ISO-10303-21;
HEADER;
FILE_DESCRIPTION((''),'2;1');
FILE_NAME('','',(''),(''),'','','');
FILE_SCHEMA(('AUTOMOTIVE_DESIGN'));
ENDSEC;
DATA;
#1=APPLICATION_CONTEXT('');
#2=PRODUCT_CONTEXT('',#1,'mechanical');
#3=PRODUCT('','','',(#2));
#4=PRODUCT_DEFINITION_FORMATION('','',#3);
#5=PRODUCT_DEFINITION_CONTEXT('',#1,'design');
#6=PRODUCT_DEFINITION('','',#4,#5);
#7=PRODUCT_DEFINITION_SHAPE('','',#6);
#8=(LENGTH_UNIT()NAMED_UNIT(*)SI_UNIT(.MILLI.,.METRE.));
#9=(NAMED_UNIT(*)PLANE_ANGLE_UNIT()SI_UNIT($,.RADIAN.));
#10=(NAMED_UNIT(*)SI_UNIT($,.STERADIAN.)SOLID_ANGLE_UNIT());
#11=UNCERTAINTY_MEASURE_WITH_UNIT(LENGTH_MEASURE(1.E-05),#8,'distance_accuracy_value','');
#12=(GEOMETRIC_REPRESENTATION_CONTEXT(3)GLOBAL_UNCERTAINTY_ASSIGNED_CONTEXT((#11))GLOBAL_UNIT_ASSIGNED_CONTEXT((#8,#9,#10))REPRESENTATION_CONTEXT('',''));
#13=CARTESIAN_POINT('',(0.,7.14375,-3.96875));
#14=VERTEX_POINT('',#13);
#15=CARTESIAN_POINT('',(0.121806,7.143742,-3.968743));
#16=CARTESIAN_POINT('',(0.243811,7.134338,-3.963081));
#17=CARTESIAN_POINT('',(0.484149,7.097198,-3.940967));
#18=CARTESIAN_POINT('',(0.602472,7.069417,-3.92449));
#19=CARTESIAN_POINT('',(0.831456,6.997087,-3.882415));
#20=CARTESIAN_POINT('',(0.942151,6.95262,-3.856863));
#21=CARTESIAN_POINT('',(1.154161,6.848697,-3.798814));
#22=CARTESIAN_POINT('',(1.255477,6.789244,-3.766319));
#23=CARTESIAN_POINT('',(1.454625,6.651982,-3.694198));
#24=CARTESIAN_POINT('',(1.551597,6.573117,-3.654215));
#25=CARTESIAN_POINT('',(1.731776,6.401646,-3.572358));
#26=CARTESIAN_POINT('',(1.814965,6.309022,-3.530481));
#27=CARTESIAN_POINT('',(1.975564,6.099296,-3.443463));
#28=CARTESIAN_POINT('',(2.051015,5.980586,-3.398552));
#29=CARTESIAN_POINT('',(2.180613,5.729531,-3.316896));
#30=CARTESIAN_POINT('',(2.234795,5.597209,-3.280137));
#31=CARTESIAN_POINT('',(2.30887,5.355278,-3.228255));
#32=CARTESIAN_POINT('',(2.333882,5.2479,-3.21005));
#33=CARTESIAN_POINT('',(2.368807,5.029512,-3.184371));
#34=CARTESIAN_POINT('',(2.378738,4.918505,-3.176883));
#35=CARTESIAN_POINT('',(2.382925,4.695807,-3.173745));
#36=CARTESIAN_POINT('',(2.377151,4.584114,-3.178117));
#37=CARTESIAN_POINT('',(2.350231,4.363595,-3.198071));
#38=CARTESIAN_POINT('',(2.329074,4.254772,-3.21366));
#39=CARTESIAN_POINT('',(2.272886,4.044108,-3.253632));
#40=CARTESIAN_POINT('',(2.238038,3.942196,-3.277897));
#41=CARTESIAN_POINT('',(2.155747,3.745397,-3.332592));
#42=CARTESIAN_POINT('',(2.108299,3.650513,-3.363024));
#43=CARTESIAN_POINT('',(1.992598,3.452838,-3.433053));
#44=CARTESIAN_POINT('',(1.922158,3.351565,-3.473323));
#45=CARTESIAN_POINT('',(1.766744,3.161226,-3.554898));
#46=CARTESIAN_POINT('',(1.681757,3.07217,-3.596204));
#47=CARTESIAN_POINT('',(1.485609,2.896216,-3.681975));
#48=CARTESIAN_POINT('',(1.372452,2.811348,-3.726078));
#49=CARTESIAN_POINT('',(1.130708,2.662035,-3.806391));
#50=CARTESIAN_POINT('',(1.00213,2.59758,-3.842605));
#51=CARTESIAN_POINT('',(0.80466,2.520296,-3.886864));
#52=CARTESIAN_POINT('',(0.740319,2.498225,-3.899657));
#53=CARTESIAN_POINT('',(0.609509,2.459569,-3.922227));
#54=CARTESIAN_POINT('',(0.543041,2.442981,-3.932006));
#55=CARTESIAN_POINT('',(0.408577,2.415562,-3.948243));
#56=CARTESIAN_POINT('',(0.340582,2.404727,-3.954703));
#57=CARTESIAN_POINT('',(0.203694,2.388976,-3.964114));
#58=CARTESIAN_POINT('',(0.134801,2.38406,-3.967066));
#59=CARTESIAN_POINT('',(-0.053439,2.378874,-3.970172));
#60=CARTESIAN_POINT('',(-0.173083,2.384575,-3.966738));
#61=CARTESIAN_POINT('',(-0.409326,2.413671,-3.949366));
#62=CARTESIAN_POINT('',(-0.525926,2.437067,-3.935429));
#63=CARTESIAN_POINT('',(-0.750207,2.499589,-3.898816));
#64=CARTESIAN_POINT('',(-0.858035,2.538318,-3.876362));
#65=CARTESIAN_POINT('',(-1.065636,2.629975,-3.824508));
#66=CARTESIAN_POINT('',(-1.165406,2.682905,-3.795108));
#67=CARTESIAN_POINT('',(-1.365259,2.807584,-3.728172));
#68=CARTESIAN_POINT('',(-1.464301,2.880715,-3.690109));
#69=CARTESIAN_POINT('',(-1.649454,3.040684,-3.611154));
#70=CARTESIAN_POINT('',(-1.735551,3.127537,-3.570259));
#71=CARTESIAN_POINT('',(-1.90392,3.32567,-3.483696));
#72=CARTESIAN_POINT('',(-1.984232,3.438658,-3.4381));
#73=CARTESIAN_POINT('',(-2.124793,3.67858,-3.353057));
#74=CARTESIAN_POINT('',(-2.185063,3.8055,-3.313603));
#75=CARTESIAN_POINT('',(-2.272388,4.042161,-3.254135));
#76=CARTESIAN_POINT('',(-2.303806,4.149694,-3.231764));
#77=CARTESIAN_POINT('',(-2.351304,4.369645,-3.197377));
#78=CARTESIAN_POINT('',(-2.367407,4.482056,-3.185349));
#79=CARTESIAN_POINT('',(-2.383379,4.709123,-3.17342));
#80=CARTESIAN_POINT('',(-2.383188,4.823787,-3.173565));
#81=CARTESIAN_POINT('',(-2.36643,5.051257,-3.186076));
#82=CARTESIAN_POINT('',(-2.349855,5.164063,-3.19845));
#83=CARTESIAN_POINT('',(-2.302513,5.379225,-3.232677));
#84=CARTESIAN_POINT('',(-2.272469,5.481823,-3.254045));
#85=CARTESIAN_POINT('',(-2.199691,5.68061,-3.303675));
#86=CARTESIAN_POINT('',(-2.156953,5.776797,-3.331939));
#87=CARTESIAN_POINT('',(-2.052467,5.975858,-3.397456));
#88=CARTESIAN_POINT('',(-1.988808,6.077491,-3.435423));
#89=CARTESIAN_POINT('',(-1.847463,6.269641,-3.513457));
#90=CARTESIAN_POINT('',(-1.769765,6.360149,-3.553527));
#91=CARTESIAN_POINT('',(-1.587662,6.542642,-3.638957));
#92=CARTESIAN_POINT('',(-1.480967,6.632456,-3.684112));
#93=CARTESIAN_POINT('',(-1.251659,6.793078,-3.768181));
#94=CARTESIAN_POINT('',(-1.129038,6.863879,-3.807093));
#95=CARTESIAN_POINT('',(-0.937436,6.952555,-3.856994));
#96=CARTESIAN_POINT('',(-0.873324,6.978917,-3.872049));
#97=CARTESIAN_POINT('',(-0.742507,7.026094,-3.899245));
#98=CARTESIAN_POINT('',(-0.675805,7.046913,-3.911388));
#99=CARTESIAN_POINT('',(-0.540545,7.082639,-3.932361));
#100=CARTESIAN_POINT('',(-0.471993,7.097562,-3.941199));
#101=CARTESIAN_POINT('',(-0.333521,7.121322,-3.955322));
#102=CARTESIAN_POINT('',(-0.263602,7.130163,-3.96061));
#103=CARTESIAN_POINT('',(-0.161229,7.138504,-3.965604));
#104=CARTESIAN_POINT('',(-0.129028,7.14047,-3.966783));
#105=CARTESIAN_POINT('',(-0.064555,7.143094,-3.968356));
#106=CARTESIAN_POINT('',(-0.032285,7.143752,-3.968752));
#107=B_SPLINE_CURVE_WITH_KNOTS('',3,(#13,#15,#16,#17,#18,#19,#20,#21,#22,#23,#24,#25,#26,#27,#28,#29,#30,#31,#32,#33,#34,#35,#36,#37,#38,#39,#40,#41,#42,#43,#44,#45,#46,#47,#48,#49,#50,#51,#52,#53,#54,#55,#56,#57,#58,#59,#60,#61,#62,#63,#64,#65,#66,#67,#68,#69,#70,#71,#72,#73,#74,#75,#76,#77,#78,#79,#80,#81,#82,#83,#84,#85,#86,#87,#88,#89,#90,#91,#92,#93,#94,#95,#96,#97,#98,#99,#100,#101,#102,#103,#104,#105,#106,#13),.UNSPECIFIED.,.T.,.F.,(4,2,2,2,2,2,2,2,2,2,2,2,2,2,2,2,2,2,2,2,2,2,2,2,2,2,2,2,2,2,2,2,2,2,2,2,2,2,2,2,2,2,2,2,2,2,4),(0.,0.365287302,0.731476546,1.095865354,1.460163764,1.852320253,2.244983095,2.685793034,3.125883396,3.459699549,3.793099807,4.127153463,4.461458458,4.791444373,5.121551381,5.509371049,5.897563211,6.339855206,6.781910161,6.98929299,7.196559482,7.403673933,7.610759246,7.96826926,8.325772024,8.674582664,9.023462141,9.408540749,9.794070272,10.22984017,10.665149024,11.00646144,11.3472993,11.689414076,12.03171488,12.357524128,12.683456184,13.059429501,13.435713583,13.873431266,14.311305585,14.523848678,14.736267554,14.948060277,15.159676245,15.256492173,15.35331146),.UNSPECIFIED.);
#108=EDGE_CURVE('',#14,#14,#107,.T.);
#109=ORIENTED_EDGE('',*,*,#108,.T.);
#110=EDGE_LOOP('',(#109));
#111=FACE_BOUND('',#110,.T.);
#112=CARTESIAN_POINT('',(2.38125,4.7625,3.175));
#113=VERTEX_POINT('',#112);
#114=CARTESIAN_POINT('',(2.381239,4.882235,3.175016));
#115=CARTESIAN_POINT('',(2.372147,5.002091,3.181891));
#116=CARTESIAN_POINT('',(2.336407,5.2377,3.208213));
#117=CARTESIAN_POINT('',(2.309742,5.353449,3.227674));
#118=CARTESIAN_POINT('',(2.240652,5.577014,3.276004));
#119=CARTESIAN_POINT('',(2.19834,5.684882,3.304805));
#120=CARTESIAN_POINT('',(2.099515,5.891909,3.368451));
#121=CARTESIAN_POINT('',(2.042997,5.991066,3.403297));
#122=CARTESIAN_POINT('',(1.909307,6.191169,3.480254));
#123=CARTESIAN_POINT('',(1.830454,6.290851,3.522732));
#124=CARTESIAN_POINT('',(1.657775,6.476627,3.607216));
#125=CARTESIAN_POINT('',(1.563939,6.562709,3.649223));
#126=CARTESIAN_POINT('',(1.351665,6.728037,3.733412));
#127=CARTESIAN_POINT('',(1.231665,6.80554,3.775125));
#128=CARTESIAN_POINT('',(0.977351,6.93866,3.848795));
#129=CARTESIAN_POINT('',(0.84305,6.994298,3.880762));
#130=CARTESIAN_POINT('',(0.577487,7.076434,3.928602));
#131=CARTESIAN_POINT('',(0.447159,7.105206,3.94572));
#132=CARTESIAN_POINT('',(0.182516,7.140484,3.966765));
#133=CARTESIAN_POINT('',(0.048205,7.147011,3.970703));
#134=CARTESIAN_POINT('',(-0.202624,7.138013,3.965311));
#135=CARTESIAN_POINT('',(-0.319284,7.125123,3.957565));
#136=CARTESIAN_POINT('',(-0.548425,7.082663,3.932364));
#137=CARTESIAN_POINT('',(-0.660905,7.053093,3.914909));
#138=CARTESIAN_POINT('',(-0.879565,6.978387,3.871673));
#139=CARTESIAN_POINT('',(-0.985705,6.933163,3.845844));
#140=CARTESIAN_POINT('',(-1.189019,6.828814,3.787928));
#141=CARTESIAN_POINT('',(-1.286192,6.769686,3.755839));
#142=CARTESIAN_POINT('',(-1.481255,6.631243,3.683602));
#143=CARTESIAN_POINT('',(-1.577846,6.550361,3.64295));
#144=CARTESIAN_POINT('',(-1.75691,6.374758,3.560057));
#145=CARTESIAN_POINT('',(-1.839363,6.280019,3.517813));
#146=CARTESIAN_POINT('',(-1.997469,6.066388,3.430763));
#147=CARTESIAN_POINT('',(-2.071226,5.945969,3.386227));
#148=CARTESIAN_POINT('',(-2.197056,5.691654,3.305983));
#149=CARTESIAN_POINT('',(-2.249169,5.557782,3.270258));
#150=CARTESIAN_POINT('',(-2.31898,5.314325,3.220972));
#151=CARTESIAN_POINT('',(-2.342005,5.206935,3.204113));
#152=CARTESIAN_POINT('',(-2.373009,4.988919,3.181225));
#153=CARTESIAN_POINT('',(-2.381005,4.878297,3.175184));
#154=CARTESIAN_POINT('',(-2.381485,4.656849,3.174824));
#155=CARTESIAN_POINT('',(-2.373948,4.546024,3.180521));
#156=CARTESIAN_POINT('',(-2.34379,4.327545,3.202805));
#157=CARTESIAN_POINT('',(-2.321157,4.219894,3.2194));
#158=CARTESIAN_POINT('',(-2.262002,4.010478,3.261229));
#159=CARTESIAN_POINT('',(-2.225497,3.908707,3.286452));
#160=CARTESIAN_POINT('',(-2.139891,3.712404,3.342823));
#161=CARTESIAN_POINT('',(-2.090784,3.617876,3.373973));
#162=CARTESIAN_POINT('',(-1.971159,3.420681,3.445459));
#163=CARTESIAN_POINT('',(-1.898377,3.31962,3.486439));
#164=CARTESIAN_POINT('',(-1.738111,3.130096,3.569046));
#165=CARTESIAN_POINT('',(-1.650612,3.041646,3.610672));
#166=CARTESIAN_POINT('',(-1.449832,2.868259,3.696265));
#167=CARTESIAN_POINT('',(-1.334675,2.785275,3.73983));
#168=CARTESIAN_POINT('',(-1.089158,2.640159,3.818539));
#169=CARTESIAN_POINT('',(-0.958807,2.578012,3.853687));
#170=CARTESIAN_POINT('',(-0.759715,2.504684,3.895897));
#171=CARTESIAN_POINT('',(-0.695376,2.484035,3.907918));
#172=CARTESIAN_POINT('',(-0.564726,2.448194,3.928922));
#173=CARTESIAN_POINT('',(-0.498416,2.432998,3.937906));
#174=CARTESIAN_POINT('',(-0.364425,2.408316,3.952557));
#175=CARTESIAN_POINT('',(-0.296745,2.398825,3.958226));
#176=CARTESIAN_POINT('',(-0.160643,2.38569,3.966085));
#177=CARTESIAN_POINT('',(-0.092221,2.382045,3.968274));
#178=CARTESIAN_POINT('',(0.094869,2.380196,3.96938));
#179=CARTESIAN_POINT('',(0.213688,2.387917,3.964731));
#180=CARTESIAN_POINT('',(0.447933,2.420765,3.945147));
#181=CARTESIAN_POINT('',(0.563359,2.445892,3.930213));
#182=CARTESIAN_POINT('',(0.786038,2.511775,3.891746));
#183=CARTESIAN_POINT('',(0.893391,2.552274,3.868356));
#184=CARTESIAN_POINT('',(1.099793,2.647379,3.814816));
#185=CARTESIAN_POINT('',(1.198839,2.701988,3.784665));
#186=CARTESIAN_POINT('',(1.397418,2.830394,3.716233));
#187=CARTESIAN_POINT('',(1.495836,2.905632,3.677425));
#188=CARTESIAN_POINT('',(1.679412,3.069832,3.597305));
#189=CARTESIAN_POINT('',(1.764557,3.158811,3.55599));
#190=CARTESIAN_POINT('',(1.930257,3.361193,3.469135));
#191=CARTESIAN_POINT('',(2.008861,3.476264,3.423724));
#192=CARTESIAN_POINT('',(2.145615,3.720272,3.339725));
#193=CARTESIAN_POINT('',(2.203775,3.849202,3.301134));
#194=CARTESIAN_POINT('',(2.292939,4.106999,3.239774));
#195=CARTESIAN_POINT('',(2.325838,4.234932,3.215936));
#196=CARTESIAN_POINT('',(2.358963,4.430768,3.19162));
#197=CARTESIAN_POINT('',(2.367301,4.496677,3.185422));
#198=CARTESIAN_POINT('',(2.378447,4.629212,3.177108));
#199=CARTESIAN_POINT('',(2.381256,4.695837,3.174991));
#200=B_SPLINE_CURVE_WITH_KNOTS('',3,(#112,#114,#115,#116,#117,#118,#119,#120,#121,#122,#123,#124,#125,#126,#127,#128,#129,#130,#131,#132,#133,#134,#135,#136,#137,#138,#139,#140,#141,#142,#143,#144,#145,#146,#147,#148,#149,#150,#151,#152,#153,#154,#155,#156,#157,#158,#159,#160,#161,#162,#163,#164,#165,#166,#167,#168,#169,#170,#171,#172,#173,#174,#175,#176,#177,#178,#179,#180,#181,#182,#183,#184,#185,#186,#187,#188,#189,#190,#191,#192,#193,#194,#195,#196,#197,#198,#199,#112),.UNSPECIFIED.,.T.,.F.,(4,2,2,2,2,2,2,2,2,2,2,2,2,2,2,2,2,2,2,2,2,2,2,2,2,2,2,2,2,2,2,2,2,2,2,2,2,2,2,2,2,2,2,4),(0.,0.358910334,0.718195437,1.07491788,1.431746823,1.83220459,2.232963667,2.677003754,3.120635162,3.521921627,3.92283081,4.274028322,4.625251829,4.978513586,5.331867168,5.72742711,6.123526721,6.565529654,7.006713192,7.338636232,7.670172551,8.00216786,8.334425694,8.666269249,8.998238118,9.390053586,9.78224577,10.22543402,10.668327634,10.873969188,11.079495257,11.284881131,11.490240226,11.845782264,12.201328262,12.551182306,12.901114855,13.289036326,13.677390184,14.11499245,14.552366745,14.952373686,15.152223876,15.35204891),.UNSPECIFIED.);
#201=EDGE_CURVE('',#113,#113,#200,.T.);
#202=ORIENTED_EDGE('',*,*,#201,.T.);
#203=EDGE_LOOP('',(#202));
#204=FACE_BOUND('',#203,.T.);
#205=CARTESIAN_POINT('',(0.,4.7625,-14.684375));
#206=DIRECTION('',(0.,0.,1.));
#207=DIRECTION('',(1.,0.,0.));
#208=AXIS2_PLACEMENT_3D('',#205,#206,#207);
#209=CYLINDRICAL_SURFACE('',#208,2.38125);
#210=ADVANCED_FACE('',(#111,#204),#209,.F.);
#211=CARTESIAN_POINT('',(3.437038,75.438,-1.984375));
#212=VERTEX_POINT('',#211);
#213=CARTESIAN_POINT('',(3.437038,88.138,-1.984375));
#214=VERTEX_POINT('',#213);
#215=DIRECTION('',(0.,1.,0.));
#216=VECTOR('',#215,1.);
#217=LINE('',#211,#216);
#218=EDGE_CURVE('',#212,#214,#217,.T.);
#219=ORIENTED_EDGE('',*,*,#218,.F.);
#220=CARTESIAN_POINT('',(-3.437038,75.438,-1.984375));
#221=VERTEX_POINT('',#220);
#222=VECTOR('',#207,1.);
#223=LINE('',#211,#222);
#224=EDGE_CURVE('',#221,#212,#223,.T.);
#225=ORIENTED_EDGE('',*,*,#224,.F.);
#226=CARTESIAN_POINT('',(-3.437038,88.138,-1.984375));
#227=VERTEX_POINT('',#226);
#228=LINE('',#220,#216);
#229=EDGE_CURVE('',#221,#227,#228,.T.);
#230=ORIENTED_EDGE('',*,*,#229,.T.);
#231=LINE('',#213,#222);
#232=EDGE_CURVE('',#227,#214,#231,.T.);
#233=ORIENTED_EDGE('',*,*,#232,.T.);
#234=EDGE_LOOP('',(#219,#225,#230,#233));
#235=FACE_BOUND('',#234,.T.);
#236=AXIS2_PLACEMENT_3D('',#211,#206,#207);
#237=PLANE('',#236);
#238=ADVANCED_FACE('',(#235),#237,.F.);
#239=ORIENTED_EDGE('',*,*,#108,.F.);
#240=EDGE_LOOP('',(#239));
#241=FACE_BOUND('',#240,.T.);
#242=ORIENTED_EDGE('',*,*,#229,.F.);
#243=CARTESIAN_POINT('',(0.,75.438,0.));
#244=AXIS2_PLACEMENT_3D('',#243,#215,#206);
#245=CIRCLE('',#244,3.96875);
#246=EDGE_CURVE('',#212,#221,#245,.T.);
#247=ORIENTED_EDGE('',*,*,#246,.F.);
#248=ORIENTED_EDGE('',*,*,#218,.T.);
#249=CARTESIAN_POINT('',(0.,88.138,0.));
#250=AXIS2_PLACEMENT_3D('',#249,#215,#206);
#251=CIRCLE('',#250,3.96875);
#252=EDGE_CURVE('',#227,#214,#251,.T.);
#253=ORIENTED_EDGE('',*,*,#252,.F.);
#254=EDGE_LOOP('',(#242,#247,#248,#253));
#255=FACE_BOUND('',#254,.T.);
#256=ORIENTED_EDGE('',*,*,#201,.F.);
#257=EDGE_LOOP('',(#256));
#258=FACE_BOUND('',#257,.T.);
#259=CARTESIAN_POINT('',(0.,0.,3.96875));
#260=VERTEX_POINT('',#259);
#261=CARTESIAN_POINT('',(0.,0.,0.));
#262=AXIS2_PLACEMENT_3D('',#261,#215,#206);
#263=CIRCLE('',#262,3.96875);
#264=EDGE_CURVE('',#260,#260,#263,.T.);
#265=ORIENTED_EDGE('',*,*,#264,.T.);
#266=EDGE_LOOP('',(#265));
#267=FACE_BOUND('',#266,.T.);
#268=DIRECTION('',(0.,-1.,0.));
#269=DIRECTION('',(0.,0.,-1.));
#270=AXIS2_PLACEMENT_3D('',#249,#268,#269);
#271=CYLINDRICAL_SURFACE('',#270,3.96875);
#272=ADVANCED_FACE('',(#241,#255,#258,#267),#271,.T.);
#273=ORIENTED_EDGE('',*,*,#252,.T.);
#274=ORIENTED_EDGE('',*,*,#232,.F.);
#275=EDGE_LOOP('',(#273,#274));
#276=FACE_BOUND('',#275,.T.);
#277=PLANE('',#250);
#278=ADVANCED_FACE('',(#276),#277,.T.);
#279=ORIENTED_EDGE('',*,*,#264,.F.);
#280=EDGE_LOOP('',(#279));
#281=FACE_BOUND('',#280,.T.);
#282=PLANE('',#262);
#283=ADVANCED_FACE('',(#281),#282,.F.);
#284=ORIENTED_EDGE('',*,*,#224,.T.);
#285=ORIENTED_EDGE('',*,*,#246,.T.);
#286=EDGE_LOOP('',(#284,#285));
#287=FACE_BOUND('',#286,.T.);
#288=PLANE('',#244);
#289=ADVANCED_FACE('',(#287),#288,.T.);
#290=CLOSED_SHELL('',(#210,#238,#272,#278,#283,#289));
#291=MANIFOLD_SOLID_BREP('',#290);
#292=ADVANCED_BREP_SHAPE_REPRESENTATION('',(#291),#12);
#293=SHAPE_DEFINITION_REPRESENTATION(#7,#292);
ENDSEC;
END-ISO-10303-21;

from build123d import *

# Parameters (mm, degrees)
SKETCH1_R               = 3.96875
BOSS_EXTRUDE1_DEPTH     = 88.138
CUT_EXTRUDE1_DEPTH      = 12.7
CUT_EXTRUDE2_DEPTH      = 12.7
CUT_EXTRUDE2_DEPTH_BACK = 12.7
SKETCH3_R               = 2.38125


with BuildPart() as part:
    # Sketch1 → Boss-Extrude1 (new body)
    with BuildSketch(Plane(origin=(0, 0, 0), x_dir=(1, 0, 0), z_dir=(0, 1, 0))):
        Circle(SKETCH1_R)
    extrude(amount=BOSS_EXTRUDE1_DEPTH)

    # Sketch2 → Cut-Extrude1 (cut)
    with BuildSketch(Plane(origin=(0, 88.138, 0), x_dir=(1, 0, 0), z_dir=(0, 1, 0))):
        Polygon((3.437038321, 1.984375), (-3.437038321, 1.984375), (-4.719395918, 2.522465653), (-2.590204502, 6.353236507), (2.456720437, 4.728926773), align=None)
    extrude(amount=-CUT_EXTRUDE1_DEPTH, mode=Mode.SUBTRACT)

    # Sketch3 → Cut-Extrude2 (cut, two sides: drawn at the far end of the back side and taken through both)
    with BuildSketch(Plane(origin=(0, 0, -1.984375), x_dir=(-1, 0, 0), z_dir=(0, 0, -1)).offset(-CUT_EXTRUDE2_DEPTH_BACK)):
        with Locations((0, 4.7625)):
            Circle(SKETCH3_R)
    extrude(amount=CUT_EXTRUDE2_DEPTH + CUT_EXTRUDE2_DEPTH_BACK, mode=Mode.SUBTRACT)


solid = part.part
